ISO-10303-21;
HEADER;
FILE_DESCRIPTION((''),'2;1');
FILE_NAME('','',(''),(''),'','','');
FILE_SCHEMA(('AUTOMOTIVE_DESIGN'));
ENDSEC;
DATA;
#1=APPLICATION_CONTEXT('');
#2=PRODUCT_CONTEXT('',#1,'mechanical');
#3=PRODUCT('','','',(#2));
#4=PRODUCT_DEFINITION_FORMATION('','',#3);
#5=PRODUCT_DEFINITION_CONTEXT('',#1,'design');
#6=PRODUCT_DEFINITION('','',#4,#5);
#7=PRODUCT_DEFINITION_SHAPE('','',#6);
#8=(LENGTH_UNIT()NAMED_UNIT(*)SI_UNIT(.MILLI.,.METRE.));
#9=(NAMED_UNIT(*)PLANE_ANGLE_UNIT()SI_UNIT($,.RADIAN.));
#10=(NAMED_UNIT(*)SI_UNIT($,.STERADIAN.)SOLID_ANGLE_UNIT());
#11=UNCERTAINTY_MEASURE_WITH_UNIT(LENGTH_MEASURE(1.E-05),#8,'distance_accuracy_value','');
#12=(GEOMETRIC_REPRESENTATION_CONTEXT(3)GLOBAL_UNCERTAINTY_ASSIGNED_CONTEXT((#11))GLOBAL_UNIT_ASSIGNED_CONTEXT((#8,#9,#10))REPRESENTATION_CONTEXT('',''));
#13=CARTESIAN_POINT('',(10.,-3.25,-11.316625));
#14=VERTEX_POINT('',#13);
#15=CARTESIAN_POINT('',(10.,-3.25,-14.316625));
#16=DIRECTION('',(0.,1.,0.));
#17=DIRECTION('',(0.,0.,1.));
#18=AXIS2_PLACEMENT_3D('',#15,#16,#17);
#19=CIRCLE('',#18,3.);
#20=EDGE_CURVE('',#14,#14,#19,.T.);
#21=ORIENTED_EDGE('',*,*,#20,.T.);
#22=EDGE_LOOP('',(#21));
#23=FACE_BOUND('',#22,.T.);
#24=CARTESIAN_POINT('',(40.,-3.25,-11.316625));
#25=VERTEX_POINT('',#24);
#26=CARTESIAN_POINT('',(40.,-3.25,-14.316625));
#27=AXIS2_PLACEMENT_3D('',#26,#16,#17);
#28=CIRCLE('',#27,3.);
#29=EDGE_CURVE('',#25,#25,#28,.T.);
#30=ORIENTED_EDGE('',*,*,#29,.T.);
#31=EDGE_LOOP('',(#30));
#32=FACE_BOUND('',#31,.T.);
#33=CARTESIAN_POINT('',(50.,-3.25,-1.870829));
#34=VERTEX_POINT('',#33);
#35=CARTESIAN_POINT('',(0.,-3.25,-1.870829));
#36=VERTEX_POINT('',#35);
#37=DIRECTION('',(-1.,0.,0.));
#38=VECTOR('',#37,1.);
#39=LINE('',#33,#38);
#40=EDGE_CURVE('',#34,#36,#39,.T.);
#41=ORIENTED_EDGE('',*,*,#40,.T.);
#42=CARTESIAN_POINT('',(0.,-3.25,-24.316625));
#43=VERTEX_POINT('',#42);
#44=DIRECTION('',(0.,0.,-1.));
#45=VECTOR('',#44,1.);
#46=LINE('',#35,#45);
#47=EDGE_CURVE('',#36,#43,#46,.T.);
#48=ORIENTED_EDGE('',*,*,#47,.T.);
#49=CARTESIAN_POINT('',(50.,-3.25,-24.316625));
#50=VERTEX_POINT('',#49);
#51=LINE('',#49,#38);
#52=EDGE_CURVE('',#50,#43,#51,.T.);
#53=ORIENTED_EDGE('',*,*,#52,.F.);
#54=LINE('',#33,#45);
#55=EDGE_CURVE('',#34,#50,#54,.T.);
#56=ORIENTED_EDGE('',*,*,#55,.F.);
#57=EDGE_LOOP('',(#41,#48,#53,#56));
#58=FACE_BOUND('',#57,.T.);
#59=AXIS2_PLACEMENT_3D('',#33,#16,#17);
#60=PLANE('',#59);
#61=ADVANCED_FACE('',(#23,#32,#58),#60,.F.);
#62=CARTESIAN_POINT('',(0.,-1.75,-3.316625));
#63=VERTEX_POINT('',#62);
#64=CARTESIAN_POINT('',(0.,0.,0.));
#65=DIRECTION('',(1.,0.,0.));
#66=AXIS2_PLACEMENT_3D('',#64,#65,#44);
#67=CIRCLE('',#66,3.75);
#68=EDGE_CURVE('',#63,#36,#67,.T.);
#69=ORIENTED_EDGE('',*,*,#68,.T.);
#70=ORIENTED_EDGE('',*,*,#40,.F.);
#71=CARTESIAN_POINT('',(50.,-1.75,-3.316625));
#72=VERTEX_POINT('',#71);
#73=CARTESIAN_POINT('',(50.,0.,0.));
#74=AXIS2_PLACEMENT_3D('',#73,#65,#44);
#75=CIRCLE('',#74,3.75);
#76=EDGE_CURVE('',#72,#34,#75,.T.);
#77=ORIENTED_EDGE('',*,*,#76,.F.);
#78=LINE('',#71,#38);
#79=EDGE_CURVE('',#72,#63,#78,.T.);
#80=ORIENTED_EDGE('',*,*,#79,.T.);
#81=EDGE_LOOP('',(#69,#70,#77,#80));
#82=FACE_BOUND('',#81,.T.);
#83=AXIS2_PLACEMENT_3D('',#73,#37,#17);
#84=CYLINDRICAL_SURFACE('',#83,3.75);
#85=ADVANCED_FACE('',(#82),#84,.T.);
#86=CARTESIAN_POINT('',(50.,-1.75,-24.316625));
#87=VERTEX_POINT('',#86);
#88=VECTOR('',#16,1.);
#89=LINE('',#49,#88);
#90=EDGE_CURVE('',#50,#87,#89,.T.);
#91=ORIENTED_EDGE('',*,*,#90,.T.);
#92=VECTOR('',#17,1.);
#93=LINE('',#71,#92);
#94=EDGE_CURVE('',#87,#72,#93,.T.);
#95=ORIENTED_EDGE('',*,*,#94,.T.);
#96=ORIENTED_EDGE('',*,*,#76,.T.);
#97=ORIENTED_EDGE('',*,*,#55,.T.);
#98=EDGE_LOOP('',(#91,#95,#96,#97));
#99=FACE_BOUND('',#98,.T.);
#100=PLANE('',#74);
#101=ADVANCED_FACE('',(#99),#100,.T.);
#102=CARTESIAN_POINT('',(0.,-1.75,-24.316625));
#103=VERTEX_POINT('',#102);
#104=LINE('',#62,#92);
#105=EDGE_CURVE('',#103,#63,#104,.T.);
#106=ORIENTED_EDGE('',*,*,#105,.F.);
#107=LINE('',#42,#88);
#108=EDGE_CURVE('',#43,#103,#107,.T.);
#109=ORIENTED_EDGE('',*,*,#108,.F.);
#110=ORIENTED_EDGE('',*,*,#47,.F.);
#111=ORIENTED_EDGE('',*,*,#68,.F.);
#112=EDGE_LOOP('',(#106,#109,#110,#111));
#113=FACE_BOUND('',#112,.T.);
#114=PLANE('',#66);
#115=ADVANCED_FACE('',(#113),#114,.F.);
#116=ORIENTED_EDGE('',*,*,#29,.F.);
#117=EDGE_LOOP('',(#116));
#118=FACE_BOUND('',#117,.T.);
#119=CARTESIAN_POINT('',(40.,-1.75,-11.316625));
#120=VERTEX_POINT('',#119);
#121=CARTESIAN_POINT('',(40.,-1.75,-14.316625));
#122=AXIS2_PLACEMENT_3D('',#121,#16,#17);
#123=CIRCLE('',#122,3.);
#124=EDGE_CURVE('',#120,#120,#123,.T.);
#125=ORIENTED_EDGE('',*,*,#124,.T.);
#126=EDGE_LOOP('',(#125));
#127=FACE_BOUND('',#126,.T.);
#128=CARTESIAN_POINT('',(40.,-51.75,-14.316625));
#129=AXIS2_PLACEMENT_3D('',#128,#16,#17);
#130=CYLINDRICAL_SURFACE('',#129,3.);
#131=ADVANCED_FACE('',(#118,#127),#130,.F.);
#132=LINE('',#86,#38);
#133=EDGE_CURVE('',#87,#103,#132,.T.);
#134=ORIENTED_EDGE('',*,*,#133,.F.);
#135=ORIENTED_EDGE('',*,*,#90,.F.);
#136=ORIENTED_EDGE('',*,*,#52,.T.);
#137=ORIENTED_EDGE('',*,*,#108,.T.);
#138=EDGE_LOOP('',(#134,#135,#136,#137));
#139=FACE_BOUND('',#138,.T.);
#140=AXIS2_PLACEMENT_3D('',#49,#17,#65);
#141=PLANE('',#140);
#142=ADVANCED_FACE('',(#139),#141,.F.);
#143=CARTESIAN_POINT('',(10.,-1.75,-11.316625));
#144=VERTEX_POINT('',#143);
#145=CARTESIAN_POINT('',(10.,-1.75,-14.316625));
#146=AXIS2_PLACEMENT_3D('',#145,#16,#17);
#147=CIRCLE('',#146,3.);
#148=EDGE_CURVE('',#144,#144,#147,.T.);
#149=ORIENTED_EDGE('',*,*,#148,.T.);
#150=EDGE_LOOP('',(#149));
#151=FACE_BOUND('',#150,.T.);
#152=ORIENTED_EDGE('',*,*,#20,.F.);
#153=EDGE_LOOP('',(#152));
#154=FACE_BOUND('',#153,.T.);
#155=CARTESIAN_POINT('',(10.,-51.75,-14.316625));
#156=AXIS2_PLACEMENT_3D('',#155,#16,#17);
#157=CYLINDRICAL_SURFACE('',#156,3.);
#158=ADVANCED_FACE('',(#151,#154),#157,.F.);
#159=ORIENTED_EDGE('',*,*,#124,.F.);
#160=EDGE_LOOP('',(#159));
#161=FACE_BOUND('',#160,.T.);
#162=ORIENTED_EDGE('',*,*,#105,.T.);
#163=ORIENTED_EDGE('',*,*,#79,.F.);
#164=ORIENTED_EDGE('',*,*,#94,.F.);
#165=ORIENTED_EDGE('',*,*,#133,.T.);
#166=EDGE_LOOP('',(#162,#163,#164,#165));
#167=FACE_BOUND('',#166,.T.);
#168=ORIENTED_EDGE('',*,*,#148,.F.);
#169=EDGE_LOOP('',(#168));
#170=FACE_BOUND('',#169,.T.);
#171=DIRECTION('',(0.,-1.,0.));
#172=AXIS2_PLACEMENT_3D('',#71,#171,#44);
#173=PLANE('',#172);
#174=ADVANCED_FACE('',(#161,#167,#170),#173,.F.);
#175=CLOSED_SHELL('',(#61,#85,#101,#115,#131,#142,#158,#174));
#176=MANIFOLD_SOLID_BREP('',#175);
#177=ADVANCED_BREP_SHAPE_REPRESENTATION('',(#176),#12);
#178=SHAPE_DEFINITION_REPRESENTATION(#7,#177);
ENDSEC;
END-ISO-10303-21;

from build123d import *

# Parameters (mm, degrees)
SALIENTE_EXTRUIR1_DEPTH = 50
CROQUIS2_R              = 3
CORTAR_EXTRUIR1_DEPTH   = 50


with BuildPart() as part:
    # Croquis1 → Saliente-Extruir1 (new body)
    with BuildSketch(Plane(origin=(0, 0, 0), x_dir=(0, 0, -1), z_dir=(1, 0, 0))):
        with BuildLine():
            Line((1.870828693, -3.25), (24.31662479, -3.25))
            Line((24.31662479, -3.25), (24.31662479, -1.75))
            Line((24.31662479, -1.75), (3.31662479, -1.75))
            ThreePointArc((3.31662479, -1.75), (-2.699984891, 2.602418411), (1.870828693, -3.25))
        make_face()
    extrude(amount=SALIENTE_EXTRUIR1_DEPTH)

    # Croquis2 → Cortar-Extruir1 (cut)
    with BuildSketch(Plane(origin=(0, -1.75, 0), x_dir=(1, 0, 0), z_dir=(0, 1, 0))):
        with Locations(Location((10, 14.31662479, 0), (0, 0, 270))):
            Circle(CROQUIS2_R)
        with Locations(Location((40, 14.31662479, 0), (0, 0, 270))):
            Circle(CROQUIS2_R)
    extrude(amount=-CORTAR_EXTRUIR1_DEPTH, mode=Mode.SUBTRACT)


solid = part.part
